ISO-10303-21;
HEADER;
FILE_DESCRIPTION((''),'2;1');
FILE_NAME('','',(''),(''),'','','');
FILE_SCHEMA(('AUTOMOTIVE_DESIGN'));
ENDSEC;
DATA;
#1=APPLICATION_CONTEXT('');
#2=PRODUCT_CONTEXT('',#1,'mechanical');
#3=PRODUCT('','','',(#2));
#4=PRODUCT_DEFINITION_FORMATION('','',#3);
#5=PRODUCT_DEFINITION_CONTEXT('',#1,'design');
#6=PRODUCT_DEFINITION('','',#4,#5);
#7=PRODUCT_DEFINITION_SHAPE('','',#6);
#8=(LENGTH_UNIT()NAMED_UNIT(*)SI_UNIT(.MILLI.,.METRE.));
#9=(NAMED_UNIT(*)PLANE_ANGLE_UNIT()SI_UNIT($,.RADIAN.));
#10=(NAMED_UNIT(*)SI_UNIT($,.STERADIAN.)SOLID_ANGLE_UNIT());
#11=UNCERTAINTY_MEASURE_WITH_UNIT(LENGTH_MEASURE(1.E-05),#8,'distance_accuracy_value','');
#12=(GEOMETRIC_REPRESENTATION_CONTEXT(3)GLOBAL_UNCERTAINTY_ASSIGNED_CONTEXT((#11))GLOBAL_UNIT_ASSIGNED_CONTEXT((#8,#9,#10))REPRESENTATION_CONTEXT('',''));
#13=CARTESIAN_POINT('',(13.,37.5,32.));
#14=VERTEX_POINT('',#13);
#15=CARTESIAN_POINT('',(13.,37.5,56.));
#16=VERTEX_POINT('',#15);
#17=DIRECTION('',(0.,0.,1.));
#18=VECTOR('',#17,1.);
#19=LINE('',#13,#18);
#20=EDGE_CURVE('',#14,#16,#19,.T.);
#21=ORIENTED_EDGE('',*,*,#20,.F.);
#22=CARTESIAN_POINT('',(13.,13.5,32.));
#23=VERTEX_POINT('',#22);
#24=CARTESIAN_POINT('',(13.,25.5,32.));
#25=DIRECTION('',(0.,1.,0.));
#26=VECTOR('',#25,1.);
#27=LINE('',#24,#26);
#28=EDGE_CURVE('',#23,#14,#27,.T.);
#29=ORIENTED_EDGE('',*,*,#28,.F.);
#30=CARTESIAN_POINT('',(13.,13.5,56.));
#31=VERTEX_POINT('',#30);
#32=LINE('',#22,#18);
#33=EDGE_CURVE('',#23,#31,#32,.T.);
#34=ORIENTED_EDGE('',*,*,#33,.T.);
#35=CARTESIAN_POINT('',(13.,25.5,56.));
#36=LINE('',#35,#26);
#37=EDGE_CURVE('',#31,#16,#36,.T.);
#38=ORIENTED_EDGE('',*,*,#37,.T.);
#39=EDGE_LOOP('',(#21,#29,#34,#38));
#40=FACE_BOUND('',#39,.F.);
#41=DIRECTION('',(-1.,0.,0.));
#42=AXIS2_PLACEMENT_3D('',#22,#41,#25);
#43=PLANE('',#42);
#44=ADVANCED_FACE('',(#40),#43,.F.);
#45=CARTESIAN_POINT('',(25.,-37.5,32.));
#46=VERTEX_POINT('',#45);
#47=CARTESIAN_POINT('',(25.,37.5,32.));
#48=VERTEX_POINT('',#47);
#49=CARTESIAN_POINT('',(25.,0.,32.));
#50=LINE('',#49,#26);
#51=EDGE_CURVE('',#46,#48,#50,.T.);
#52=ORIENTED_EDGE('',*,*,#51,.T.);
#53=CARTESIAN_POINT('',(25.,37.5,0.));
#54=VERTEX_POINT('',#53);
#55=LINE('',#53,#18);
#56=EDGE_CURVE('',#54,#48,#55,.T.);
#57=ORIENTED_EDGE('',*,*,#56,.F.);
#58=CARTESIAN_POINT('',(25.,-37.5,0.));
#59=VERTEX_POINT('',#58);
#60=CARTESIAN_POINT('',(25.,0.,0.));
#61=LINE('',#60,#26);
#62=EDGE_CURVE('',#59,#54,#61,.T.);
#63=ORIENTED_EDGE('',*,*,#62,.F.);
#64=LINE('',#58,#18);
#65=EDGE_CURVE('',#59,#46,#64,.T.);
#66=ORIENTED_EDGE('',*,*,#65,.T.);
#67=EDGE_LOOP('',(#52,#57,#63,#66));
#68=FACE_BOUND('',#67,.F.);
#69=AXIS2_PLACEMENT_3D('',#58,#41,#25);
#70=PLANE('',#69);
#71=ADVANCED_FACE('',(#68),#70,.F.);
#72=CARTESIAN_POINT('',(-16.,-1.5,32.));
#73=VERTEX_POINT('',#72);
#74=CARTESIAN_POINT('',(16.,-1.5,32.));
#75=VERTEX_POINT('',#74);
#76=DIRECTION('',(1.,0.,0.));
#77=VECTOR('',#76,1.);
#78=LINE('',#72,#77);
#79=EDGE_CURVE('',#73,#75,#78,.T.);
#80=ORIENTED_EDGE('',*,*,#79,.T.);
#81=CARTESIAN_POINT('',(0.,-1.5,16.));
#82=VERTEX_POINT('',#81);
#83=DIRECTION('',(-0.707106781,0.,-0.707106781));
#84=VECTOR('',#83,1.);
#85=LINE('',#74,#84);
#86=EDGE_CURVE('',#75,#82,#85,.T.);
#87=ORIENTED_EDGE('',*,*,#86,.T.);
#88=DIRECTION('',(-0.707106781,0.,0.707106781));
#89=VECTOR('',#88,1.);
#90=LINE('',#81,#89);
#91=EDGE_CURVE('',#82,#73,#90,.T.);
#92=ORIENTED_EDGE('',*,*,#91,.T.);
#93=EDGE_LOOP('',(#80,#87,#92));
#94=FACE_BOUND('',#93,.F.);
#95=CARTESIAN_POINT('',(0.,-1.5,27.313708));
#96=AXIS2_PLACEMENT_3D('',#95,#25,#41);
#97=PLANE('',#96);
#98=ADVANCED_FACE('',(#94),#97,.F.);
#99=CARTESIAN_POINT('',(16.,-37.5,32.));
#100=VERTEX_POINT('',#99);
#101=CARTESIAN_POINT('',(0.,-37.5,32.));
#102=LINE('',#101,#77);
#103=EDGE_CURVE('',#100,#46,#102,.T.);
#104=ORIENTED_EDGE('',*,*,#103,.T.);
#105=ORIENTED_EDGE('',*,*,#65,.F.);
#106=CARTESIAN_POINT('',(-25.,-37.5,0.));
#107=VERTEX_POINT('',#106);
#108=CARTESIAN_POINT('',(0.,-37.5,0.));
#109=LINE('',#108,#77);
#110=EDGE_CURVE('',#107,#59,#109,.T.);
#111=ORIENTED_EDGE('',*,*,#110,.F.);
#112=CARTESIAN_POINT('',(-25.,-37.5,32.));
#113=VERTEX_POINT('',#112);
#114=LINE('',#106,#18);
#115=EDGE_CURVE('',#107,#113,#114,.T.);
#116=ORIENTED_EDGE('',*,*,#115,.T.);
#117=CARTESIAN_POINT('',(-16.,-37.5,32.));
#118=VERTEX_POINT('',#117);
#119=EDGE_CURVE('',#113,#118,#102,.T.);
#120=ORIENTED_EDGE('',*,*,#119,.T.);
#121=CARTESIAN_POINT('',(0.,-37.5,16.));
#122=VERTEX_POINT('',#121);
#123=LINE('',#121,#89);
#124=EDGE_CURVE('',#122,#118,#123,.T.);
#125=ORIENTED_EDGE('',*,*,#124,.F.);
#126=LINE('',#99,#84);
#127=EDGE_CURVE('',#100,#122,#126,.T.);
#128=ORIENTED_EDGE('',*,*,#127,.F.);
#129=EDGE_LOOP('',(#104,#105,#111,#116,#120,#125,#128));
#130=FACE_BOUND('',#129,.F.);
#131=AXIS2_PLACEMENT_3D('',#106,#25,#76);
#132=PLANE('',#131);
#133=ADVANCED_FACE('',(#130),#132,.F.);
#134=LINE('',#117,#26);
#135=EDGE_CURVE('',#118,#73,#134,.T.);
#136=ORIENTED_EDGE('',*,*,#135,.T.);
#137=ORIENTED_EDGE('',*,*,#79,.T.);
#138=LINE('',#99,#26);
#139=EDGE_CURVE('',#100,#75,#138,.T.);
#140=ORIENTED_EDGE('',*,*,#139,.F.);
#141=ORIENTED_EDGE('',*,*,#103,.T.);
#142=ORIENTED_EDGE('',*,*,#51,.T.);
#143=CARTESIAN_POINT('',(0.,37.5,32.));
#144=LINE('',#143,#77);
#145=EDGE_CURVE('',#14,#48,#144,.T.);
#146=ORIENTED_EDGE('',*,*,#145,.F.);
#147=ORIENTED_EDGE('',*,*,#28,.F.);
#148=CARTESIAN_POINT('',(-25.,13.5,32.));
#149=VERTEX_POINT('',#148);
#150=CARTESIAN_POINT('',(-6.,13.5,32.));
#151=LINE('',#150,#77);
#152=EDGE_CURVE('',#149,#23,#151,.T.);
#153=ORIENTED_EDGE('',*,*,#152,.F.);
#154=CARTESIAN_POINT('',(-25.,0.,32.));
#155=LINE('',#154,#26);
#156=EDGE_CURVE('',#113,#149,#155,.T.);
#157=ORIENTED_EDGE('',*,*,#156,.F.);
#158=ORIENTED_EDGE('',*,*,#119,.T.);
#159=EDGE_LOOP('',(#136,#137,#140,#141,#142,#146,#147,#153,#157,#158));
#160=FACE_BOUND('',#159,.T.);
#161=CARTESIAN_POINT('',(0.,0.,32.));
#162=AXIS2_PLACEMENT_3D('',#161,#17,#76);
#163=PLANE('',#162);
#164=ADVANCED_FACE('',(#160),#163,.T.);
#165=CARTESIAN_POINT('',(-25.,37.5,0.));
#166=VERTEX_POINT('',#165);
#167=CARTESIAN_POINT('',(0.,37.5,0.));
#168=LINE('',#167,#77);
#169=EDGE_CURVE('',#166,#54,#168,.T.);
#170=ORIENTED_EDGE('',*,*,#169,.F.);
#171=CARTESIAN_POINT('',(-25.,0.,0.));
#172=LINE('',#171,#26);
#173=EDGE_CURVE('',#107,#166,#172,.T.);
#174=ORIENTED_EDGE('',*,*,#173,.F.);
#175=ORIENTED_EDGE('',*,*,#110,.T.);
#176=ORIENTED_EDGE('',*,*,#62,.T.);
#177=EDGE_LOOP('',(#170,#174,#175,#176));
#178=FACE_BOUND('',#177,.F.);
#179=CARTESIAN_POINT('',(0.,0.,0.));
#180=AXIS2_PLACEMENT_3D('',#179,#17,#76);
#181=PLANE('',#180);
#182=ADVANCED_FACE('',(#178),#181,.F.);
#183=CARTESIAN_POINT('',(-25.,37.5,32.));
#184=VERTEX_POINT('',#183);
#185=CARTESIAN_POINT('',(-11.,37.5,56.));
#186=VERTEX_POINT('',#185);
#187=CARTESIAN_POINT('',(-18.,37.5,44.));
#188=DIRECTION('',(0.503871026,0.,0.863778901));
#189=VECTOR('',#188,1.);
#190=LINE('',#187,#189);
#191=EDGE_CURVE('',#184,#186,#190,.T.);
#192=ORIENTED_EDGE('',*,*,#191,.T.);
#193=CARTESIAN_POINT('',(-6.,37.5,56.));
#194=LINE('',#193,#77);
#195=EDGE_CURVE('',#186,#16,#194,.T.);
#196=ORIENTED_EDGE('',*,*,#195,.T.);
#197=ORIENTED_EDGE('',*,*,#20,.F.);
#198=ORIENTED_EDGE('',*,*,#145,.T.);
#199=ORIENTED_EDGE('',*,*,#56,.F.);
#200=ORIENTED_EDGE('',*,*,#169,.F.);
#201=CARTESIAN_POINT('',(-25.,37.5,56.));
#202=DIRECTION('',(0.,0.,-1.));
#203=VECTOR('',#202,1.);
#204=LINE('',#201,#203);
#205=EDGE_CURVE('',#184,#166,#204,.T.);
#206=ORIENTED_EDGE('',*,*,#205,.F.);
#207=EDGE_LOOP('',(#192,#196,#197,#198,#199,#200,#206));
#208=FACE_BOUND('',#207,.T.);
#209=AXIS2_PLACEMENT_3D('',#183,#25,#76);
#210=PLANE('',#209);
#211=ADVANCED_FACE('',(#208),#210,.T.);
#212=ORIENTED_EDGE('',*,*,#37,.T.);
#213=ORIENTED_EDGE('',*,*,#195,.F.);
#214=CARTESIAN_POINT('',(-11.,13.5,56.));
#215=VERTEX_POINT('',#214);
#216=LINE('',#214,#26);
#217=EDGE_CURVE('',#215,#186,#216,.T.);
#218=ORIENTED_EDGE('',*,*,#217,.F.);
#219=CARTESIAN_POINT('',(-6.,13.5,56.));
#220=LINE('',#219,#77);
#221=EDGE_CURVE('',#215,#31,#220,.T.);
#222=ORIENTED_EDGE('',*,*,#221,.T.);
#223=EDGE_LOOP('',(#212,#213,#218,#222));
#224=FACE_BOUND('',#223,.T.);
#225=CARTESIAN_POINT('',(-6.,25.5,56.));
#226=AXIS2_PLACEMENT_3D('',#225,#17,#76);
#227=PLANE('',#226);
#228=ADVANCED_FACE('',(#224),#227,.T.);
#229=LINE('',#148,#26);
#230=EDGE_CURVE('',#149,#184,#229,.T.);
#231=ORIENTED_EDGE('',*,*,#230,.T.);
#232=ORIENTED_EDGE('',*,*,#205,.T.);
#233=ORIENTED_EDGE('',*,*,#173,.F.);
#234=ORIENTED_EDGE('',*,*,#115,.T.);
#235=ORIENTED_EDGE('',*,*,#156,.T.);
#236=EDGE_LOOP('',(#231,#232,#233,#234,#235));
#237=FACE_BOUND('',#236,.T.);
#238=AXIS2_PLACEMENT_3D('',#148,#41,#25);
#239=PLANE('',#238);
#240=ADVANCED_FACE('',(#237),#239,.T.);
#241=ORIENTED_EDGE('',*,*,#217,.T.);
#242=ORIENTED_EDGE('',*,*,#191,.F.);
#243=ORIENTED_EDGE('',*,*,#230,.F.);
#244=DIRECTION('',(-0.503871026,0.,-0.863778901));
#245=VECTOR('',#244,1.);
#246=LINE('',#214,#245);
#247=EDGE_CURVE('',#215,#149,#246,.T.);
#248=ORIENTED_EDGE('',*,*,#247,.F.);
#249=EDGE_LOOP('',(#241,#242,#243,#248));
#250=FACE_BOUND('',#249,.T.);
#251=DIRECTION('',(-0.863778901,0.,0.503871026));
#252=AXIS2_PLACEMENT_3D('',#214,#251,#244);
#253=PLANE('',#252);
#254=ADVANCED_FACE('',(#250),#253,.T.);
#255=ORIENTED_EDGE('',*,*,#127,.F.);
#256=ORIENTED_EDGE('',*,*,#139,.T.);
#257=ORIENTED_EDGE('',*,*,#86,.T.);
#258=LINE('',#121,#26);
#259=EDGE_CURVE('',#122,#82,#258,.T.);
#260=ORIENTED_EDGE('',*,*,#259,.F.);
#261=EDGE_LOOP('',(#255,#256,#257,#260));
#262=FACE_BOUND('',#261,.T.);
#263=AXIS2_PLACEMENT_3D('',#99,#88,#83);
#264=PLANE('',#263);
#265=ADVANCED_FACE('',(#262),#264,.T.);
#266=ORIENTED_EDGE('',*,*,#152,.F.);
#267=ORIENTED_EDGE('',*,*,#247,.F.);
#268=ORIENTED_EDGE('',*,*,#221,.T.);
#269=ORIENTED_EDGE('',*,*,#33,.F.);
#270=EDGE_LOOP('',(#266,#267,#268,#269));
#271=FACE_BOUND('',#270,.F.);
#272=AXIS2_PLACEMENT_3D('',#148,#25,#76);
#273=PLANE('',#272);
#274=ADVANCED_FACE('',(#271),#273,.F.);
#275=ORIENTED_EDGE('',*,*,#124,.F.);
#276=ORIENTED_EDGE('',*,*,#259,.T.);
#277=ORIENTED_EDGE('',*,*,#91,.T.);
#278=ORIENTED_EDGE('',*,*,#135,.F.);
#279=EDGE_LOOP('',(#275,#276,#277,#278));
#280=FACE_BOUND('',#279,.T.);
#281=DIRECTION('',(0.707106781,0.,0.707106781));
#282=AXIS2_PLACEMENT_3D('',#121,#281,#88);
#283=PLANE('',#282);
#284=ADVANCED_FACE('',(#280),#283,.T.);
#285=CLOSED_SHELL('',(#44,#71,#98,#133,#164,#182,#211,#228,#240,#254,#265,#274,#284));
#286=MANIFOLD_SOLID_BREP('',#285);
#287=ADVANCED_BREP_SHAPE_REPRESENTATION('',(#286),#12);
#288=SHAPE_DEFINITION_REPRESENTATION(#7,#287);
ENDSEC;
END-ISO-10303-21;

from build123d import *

# Parameters (mm, degrees)
SKETCH_W        = 50
SKETCH_H        = 75
PAD_DEPTH       = 32
POCKET_DEPTH    = 36
SKETCH002_W     = 38
SKETCH002_H     = 24
PAD001_DEPTH    = 24
POCKET001_DEPTH = 24.001


with BuildPart() as part:
    # Sketch → Pad (new body)
    with BuildSketch(Plane.XY):
        Rectangle(SKETCH_W, SKETCH_H)
    extrude(amount=PAD_DEPTH)

    # Sketch001 → Pocket (cut)
    with BuildSketch(Plane.XZ.offset(37.5)):
        Polygon((-16, 32), (16, 32), (0, 16), align=None)
    extrude(amount=-POCKET_DEPTH, mode=Mode.SUBTRACT)

    # Sketch002 → Pad001 (new body)
    with BuildSketch(Plane.XY.offset(32)):
        with Locations((-6, 25.5)):
            Rectangle(SKETCH002_W, SKETCH002_H)
    extrude(amount=PAD001_DEPTH)

    # Sketch003 → Pocket001 (cut, through all)
    with BuildSketch(Plane.XZ.offset(-13.5)):
        Polygon((-25, 56), (-11, 56), (-25, 32), align=None)
    extrude(amount=-POCKET001_DEPTH, mode=Mode.SUBTRACT)


solid = part.part
